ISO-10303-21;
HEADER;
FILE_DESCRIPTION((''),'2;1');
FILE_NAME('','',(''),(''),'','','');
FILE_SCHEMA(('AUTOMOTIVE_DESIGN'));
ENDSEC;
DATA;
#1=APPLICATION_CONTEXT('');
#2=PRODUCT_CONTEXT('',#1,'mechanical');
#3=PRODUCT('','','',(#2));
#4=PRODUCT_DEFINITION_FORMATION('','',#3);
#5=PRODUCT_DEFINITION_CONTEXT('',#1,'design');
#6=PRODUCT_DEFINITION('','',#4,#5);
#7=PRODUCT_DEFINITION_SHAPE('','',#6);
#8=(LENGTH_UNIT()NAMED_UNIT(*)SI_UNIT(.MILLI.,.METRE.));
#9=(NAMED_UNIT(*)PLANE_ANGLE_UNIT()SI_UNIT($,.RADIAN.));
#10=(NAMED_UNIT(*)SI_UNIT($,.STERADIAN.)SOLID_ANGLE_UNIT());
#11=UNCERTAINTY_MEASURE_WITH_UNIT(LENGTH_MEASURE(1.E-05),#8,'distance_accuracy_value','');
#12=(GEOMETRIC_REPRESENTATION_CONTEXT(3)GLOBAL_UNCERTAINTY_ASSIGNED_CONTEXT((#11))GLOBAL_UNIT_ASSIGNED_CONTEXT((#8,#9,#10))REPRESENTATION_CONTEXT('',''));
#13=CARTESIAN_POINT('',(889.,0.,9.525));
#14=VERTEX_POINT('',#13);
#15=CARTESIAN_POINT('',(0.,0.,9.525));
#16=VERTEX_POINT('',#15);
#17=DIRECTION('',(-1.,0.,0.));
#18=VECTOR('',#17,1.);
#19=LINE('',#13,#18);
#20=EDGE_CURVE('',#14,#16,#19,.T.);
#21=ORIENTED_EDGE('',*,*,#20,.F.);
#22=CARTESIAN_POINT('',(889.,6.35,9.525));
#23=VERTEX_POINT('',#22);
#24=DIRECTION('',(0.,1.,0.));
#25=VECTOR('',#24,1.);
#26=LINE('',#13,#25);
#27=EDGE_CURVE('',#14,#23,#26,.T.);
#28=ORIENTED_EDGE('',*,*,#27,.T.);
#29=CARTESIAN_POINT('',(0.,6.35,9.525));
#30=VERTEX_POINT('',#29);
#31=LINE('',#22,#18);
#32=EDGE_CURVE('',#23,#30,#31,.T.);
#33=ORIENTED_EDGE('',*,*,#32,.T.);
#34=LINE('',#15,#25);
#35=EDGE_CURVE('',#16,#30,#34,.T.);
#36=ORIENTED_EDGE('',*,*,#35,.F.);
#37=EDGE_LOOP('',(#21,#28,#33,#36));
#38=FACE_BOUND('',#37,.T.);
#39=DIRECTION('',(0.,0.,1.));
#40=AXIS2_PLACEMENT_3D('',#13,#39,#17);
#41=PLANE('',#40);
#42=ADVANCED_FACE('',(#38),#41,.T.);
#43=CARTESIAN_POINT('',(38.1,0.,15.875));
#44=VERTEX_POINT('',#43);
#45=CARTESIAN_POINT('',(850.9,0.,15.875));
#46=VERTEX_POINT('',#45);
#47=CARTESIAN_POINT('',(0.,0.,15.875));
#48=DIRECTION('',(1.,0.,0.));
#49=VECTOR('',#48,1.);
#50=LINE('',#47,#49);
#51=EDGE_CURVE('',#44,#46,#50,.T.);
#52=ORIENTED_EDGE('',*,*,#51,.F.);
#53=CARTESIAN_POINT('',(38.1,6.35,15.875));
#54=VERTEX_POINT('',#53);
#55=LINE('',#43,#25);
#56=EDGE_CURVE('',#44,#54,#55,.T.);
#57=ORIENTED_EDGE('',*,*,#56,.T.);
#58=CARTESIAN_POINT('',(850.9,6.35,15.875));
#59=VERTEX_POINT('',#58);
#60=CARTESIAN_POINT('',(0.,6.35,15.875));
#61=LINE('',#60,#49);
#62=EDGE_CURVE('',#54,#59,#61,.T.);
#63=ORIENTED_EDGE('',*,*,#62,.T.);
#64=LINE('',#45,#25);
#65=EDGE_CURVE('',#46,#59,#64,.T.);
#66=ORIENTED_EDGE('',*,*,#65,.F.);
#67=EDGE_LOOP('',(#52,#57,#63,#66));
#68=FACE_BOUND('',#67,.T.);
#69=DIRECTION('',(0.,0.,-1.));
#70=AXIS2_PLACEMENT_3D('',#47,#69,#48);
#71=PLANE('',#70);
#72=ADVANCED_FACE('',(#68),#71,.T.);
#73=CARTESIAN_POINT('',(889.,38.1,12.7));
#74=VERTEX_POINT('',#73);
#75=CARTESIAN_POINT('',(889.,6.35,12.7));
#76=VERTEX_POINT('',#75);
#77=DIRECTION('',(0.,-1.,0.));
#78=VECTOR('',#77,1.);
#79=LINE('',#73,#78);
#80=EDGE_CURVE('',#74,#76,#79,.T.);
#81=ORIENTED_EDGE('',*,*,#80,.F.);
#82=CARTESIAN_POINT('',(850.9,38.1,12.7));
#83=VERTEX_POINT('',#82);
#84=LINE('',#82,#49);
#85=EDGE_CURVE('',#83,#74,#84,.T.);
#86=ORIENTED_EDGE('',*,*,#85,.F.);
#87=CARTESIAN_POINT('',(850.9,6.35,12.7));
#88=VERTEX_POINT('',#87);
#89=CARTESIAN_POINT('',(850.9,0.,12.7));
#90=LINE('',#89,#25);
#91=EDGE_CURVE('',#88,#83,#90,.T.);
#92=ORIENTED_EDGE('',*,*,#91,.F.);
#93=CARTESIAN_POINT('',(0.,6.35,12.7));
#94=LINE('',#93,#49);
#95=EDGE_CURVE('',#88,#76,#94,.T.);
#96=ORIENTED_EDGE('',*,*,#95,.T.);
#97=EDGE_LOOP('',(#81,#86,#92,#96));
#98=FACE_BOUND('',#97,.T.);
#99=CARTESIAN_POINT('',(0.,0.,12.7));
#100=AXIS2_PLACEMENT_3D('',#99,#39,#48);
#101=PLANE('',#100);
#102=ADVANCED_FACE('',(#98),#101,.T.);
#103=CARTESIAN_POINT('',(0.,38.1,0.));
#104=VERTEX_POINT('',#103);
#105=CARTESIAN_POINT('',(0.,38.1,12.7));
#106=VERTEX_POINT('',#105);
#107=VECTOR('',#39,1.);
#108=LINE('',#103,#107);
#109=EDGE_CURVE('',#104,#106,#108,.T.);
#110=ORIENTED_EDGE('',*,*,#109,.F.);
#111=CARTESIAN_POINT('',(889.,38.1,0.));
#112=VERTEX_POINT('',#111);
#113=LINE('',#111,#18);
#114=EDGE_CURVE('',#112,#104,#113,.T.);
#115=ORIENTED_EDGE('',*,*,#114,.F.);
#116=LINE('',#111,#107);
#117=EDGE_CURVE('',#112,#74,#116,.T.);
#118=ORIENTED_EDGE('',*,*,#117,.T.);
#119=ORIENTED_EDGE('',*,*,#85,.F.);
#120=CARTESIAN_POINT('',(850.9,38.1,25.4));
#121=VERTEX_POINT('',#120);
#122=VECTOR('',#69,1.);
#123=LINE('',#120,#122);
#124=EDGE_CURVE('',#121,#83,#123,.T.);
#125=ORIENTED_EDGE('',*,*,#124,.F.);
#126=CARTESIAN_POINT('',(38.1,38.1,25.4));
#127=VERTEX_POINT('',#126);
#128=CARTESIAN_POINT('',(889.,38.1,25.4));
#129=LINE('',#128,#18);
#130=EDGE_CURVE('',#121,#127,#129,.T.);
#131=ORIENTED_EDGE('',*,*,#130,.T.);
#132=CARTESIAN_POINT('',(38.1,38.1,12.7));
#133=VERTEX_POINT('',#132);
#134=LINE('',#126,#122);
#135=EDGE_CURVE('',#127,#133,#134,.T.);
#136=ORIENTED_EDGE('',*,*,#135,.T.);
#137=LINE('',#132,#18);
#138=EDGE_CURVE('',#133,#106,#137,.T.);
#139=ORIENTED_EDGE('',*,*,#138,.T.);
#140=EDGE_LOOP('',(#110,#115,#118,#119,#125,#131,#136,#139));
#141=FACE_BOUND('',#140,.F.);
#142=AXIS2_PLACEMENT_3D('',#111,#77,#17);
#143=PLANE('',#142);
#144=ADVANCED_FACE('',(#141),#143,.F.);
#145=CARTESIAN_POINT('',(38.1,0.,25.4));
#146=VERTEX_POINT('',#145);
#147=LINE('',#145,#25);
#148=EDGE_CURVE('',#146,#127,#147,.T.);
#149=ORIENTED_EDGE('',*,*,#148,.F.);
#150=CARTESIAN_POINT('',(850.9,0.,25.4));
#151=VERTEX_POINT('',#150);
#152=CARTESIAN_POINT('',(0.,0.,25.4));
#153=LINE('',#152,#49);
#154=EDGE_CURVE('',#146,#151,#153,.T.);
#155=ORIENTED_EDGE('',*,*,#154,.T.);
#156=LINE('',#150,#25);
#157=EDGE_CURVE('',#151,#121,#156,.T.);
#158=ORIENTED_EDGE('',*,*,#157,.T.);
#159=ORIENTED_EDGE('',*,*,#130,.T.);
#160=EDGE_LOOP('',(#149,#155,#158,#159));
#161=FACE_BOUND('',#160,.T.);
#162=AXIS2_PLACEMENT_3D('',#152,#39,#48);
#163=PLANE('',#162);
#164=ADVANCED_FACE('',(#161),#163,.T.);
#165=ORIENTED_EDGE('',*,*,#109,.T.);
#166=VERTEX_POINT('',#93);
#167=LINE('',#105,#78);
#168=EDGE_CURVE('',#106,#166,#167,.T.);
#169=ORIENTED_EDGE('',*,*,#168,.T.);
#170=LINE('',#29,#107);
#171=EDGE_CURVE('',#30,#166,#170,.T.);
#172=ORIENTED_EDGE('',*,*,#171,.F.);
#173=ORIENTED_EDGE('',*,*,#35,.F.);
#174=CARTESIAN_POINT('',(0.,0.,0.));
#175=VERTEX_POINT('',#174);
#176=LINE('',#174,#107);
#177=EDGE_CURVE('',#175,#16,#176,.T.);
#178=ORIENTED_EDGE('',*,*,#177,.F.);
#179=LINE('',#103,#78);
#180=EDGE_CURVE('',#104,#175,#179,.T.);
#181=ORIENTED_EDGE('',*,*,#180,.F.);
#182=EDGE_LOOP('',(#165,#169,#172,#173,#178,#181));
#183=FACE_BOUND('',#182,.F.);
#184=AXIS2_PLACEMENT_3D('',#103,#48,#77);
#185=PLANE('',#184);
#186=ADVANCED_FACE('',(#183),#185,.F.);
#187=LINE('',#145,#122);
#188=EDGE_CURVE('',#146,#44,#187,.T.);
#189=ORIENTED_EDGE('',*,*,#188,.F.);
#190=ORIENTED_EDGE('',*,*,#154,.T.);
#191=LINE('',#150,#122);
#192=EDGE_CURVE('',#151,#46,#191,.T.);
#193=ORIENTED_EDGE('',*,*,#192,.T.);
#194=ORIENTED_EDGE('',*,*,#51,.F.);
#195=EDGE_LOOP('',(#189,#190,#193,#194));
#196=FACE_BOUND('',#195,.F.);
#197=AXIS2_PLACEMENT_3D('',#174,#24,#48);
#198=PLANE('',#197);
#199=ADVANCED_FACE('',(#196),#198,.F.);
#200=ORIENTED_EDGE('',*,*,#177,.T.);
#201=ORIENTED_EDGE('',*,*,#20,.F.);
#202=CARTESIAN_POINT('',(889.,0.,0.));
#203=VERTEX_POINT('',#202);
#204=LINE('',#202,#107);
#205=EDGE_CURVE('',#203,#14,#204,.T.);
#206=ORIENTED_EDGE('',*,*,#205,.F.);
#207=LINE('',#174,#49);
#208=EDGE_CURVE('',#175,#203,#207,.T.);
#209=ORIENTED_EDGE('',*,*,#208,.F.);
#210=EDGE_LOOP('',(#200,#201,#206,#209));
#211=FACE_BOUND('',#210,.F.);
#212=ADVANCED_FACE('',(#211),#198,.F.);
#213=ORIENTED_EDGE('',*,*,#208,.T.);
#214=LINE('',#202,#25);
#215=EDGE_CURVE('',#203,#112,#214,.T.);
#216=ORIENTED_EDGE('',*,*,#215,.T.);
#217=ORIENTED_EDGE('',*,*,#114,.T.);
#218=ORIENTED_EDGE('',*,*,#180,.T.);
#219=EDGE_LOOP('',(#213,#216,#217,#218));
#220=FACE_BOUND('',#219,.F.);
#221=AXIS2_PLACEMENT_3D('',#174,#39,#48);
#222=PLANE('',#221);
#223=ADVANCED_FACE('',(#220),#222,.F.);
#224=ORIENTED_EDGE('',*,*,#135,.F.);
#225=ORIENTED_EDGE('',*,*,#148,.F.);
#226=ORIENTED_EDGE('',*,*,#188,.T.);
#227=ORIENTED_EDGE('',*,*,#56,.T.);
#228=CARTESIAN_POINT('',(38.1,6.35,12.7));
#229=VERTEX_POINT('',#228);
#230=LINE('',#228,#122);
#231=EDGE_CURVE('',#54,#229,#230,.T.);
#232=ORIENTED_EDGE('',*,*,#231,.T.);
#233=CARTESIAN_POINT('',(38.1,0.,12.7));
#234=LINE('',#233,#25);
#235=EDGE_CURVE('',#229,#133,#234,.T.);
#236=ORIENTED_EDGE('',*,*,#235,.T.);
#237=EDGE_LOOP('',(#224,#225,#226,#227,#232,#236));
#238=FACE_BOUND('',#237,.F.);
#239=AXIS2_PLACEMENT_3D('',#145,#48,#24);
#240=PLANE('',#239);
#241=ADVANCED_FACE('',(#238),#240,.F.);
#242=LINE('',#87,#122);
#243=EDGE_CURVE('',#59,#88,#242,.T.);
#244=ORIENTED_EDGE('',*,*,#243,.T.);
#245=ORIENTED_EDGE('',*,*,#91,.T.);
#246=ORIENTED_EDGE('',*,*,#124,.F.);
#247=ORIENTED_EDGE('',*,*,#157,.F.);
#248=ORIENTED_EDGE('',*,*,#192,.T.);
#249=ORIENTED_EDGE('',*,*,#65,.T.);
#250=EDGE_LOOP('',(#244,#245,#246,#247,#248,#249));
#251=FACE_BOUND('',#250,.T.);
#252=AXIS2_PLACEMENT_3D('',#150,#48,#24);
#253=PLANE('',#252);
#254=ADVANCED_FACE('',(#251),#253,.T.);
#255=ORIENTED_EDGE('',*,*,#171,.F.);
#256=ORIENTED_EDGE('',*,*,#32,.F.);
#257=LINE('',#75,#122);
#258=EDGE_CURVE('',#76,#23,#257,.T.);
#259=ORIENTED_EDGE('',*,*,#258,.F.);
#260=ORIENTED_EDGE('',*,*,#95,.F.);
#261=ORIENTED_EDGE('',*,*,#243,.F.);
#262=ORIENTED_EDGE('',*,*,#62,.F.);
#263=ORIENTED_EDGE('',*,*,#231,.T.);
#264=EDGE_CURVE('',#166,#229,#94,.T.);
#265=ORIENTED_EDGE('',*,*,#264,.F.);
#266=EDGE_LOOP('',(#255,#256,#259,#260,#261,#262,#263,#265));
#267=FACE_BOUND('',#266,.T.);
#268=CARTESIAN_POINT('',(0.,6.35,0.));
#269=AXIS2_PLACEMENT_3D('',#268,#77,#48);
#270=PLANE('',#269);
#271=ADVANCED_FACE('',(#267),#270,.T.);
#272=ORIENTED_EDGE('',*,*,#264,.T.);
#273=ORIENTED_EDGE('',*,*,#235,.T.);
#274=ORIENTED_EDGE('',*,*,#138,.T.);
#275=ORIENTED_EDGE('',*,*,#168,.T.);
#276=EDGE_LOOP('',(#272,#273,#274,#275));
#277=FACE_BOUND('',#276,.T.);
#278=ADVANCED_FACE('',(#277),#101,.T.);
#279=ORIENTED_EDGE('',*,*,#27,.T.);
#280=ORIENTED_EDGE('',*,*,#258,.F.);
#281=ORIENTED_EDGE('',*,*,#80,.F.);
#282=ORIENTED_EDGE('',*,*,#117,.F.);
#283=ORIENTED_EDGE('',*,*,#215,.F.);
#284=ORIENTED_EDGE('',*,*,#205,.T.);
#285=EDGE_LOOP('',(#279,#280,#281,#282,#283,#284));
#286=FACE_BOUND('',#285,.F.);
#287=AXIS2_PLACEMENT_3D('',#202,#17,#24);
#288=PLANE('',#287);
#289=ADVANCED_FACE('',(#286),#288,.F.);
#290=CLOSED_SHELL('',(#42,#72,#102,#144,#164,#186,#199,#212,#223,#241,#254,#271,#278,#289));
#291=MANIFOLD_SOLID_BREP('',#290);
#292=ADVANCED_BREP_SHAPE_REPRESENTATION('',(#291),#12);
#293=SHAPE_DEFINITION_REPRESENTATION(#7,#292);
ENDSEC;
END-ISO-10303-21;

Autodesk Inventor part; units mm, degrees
ref_plane "YZ Plane" through (0, 0, 0) normal (1, 0, 0) x (0, 1, 0)
ref_plane "XZ Plane" through (0, 0, 0) normal (0, 1, 0) x (-1, 0, 0)
ref_plane "XY Plane" through (0, 0, 0) normal (0, 0, 1) x (1, 0, 0)
sketch "Sketch1" plane through (0, 0, 0) normal (0, 0, 1) x (1, 0, 0)
  line L0 (0, 0) -> (889, 0)
  line L1 (889, 0) -> (889, 38.1)
  line L2 (889, 38.1) -> (0, 38.1)
  line L3 (0, 38.1) -> (0, 0)
  dimension "d0" = 889
  dimension "d1" = 38.1
extrude "Extrusion1" add sketch "Sketch1" along normal blind 25.4
sketch "Sketch2" plane through (0, 0, 25.4) normal (0, 0, 1) x (1, 0, 0)
  line L0 (0, 38.1) -> (0, 0) projected
  line L1 (0, 0) -> (38.1, 0)
  line L2 (38.1, 0) -> (38.1, 38.1)
  line L3 (38.1, 38.1) -> (0, 38.1)
  line L4 (0, 38.1) -> (0, 0)
  line L5 (0, 0) -> (889, 0) projected
  line L6 (889, 0) -> (850.9, 0)
  line L7 (850.9, 0) -> (850.9, 38.1)
  line L8 (850.9, 38.1) -> (889, 38.1)
  line L9 (889, 38.1) -> (889, 0)
  dimension "d4" = 38.1
  dimension "d5" = 38.1
  dimension "d6" = 38.1
  dimension "d7" = 38.1
extrude "Extrusion2" cut sketch "Sketch2" against normal blind 12.7 contours L7 L8 L9 L5
sketch "Sketch5" plane through (0, 0, 25.4) normal (0, 0, 1) x (1, 0, 0)
  line L0 (0, 0) -> (38.1, 0)
  line L1 (38.1, 0) -> (38.1, 38.1)
  line L2 (38.1, 38.1) -> (0, 38.1)
  line L3 (0, 38.1) -> (0, 0)
  dimension "d10" = 38.1
  dimension "d11" = 38.1
extrude "Extrusion3" cut sketch "Sketch5" against normal blind 12.7
sketch "Sketch6" plane through (0, 0, 0) normal (0, -1, 0) x (1, 0, 0)
  line L0 (850.9, 12.7) -> (889, 12.7) projected
  line L1 (889, 12.7) -> (889, 9.525)
  line L2 (889, 0) -> (889, 12.7) projected
  line L3 (889, 9.525) -> (0, 9.525)
  line L4 (0, 9.525) -> (0, 15.875)
  line L5 (0, 15.875) -> (889, 15.875)
  line L6 (889, 15.875) -> (889, 12.7)
  dimension "d24" = 3.175
  dimension "d25" = 889
  dimension "d26" = 6.35
  dimension "d27" = 889
extrude "Extrusion4" cut sketch "Sketch6" against normal blind 6.35
properties part number "topv2" material "Wood (Cherry)"
